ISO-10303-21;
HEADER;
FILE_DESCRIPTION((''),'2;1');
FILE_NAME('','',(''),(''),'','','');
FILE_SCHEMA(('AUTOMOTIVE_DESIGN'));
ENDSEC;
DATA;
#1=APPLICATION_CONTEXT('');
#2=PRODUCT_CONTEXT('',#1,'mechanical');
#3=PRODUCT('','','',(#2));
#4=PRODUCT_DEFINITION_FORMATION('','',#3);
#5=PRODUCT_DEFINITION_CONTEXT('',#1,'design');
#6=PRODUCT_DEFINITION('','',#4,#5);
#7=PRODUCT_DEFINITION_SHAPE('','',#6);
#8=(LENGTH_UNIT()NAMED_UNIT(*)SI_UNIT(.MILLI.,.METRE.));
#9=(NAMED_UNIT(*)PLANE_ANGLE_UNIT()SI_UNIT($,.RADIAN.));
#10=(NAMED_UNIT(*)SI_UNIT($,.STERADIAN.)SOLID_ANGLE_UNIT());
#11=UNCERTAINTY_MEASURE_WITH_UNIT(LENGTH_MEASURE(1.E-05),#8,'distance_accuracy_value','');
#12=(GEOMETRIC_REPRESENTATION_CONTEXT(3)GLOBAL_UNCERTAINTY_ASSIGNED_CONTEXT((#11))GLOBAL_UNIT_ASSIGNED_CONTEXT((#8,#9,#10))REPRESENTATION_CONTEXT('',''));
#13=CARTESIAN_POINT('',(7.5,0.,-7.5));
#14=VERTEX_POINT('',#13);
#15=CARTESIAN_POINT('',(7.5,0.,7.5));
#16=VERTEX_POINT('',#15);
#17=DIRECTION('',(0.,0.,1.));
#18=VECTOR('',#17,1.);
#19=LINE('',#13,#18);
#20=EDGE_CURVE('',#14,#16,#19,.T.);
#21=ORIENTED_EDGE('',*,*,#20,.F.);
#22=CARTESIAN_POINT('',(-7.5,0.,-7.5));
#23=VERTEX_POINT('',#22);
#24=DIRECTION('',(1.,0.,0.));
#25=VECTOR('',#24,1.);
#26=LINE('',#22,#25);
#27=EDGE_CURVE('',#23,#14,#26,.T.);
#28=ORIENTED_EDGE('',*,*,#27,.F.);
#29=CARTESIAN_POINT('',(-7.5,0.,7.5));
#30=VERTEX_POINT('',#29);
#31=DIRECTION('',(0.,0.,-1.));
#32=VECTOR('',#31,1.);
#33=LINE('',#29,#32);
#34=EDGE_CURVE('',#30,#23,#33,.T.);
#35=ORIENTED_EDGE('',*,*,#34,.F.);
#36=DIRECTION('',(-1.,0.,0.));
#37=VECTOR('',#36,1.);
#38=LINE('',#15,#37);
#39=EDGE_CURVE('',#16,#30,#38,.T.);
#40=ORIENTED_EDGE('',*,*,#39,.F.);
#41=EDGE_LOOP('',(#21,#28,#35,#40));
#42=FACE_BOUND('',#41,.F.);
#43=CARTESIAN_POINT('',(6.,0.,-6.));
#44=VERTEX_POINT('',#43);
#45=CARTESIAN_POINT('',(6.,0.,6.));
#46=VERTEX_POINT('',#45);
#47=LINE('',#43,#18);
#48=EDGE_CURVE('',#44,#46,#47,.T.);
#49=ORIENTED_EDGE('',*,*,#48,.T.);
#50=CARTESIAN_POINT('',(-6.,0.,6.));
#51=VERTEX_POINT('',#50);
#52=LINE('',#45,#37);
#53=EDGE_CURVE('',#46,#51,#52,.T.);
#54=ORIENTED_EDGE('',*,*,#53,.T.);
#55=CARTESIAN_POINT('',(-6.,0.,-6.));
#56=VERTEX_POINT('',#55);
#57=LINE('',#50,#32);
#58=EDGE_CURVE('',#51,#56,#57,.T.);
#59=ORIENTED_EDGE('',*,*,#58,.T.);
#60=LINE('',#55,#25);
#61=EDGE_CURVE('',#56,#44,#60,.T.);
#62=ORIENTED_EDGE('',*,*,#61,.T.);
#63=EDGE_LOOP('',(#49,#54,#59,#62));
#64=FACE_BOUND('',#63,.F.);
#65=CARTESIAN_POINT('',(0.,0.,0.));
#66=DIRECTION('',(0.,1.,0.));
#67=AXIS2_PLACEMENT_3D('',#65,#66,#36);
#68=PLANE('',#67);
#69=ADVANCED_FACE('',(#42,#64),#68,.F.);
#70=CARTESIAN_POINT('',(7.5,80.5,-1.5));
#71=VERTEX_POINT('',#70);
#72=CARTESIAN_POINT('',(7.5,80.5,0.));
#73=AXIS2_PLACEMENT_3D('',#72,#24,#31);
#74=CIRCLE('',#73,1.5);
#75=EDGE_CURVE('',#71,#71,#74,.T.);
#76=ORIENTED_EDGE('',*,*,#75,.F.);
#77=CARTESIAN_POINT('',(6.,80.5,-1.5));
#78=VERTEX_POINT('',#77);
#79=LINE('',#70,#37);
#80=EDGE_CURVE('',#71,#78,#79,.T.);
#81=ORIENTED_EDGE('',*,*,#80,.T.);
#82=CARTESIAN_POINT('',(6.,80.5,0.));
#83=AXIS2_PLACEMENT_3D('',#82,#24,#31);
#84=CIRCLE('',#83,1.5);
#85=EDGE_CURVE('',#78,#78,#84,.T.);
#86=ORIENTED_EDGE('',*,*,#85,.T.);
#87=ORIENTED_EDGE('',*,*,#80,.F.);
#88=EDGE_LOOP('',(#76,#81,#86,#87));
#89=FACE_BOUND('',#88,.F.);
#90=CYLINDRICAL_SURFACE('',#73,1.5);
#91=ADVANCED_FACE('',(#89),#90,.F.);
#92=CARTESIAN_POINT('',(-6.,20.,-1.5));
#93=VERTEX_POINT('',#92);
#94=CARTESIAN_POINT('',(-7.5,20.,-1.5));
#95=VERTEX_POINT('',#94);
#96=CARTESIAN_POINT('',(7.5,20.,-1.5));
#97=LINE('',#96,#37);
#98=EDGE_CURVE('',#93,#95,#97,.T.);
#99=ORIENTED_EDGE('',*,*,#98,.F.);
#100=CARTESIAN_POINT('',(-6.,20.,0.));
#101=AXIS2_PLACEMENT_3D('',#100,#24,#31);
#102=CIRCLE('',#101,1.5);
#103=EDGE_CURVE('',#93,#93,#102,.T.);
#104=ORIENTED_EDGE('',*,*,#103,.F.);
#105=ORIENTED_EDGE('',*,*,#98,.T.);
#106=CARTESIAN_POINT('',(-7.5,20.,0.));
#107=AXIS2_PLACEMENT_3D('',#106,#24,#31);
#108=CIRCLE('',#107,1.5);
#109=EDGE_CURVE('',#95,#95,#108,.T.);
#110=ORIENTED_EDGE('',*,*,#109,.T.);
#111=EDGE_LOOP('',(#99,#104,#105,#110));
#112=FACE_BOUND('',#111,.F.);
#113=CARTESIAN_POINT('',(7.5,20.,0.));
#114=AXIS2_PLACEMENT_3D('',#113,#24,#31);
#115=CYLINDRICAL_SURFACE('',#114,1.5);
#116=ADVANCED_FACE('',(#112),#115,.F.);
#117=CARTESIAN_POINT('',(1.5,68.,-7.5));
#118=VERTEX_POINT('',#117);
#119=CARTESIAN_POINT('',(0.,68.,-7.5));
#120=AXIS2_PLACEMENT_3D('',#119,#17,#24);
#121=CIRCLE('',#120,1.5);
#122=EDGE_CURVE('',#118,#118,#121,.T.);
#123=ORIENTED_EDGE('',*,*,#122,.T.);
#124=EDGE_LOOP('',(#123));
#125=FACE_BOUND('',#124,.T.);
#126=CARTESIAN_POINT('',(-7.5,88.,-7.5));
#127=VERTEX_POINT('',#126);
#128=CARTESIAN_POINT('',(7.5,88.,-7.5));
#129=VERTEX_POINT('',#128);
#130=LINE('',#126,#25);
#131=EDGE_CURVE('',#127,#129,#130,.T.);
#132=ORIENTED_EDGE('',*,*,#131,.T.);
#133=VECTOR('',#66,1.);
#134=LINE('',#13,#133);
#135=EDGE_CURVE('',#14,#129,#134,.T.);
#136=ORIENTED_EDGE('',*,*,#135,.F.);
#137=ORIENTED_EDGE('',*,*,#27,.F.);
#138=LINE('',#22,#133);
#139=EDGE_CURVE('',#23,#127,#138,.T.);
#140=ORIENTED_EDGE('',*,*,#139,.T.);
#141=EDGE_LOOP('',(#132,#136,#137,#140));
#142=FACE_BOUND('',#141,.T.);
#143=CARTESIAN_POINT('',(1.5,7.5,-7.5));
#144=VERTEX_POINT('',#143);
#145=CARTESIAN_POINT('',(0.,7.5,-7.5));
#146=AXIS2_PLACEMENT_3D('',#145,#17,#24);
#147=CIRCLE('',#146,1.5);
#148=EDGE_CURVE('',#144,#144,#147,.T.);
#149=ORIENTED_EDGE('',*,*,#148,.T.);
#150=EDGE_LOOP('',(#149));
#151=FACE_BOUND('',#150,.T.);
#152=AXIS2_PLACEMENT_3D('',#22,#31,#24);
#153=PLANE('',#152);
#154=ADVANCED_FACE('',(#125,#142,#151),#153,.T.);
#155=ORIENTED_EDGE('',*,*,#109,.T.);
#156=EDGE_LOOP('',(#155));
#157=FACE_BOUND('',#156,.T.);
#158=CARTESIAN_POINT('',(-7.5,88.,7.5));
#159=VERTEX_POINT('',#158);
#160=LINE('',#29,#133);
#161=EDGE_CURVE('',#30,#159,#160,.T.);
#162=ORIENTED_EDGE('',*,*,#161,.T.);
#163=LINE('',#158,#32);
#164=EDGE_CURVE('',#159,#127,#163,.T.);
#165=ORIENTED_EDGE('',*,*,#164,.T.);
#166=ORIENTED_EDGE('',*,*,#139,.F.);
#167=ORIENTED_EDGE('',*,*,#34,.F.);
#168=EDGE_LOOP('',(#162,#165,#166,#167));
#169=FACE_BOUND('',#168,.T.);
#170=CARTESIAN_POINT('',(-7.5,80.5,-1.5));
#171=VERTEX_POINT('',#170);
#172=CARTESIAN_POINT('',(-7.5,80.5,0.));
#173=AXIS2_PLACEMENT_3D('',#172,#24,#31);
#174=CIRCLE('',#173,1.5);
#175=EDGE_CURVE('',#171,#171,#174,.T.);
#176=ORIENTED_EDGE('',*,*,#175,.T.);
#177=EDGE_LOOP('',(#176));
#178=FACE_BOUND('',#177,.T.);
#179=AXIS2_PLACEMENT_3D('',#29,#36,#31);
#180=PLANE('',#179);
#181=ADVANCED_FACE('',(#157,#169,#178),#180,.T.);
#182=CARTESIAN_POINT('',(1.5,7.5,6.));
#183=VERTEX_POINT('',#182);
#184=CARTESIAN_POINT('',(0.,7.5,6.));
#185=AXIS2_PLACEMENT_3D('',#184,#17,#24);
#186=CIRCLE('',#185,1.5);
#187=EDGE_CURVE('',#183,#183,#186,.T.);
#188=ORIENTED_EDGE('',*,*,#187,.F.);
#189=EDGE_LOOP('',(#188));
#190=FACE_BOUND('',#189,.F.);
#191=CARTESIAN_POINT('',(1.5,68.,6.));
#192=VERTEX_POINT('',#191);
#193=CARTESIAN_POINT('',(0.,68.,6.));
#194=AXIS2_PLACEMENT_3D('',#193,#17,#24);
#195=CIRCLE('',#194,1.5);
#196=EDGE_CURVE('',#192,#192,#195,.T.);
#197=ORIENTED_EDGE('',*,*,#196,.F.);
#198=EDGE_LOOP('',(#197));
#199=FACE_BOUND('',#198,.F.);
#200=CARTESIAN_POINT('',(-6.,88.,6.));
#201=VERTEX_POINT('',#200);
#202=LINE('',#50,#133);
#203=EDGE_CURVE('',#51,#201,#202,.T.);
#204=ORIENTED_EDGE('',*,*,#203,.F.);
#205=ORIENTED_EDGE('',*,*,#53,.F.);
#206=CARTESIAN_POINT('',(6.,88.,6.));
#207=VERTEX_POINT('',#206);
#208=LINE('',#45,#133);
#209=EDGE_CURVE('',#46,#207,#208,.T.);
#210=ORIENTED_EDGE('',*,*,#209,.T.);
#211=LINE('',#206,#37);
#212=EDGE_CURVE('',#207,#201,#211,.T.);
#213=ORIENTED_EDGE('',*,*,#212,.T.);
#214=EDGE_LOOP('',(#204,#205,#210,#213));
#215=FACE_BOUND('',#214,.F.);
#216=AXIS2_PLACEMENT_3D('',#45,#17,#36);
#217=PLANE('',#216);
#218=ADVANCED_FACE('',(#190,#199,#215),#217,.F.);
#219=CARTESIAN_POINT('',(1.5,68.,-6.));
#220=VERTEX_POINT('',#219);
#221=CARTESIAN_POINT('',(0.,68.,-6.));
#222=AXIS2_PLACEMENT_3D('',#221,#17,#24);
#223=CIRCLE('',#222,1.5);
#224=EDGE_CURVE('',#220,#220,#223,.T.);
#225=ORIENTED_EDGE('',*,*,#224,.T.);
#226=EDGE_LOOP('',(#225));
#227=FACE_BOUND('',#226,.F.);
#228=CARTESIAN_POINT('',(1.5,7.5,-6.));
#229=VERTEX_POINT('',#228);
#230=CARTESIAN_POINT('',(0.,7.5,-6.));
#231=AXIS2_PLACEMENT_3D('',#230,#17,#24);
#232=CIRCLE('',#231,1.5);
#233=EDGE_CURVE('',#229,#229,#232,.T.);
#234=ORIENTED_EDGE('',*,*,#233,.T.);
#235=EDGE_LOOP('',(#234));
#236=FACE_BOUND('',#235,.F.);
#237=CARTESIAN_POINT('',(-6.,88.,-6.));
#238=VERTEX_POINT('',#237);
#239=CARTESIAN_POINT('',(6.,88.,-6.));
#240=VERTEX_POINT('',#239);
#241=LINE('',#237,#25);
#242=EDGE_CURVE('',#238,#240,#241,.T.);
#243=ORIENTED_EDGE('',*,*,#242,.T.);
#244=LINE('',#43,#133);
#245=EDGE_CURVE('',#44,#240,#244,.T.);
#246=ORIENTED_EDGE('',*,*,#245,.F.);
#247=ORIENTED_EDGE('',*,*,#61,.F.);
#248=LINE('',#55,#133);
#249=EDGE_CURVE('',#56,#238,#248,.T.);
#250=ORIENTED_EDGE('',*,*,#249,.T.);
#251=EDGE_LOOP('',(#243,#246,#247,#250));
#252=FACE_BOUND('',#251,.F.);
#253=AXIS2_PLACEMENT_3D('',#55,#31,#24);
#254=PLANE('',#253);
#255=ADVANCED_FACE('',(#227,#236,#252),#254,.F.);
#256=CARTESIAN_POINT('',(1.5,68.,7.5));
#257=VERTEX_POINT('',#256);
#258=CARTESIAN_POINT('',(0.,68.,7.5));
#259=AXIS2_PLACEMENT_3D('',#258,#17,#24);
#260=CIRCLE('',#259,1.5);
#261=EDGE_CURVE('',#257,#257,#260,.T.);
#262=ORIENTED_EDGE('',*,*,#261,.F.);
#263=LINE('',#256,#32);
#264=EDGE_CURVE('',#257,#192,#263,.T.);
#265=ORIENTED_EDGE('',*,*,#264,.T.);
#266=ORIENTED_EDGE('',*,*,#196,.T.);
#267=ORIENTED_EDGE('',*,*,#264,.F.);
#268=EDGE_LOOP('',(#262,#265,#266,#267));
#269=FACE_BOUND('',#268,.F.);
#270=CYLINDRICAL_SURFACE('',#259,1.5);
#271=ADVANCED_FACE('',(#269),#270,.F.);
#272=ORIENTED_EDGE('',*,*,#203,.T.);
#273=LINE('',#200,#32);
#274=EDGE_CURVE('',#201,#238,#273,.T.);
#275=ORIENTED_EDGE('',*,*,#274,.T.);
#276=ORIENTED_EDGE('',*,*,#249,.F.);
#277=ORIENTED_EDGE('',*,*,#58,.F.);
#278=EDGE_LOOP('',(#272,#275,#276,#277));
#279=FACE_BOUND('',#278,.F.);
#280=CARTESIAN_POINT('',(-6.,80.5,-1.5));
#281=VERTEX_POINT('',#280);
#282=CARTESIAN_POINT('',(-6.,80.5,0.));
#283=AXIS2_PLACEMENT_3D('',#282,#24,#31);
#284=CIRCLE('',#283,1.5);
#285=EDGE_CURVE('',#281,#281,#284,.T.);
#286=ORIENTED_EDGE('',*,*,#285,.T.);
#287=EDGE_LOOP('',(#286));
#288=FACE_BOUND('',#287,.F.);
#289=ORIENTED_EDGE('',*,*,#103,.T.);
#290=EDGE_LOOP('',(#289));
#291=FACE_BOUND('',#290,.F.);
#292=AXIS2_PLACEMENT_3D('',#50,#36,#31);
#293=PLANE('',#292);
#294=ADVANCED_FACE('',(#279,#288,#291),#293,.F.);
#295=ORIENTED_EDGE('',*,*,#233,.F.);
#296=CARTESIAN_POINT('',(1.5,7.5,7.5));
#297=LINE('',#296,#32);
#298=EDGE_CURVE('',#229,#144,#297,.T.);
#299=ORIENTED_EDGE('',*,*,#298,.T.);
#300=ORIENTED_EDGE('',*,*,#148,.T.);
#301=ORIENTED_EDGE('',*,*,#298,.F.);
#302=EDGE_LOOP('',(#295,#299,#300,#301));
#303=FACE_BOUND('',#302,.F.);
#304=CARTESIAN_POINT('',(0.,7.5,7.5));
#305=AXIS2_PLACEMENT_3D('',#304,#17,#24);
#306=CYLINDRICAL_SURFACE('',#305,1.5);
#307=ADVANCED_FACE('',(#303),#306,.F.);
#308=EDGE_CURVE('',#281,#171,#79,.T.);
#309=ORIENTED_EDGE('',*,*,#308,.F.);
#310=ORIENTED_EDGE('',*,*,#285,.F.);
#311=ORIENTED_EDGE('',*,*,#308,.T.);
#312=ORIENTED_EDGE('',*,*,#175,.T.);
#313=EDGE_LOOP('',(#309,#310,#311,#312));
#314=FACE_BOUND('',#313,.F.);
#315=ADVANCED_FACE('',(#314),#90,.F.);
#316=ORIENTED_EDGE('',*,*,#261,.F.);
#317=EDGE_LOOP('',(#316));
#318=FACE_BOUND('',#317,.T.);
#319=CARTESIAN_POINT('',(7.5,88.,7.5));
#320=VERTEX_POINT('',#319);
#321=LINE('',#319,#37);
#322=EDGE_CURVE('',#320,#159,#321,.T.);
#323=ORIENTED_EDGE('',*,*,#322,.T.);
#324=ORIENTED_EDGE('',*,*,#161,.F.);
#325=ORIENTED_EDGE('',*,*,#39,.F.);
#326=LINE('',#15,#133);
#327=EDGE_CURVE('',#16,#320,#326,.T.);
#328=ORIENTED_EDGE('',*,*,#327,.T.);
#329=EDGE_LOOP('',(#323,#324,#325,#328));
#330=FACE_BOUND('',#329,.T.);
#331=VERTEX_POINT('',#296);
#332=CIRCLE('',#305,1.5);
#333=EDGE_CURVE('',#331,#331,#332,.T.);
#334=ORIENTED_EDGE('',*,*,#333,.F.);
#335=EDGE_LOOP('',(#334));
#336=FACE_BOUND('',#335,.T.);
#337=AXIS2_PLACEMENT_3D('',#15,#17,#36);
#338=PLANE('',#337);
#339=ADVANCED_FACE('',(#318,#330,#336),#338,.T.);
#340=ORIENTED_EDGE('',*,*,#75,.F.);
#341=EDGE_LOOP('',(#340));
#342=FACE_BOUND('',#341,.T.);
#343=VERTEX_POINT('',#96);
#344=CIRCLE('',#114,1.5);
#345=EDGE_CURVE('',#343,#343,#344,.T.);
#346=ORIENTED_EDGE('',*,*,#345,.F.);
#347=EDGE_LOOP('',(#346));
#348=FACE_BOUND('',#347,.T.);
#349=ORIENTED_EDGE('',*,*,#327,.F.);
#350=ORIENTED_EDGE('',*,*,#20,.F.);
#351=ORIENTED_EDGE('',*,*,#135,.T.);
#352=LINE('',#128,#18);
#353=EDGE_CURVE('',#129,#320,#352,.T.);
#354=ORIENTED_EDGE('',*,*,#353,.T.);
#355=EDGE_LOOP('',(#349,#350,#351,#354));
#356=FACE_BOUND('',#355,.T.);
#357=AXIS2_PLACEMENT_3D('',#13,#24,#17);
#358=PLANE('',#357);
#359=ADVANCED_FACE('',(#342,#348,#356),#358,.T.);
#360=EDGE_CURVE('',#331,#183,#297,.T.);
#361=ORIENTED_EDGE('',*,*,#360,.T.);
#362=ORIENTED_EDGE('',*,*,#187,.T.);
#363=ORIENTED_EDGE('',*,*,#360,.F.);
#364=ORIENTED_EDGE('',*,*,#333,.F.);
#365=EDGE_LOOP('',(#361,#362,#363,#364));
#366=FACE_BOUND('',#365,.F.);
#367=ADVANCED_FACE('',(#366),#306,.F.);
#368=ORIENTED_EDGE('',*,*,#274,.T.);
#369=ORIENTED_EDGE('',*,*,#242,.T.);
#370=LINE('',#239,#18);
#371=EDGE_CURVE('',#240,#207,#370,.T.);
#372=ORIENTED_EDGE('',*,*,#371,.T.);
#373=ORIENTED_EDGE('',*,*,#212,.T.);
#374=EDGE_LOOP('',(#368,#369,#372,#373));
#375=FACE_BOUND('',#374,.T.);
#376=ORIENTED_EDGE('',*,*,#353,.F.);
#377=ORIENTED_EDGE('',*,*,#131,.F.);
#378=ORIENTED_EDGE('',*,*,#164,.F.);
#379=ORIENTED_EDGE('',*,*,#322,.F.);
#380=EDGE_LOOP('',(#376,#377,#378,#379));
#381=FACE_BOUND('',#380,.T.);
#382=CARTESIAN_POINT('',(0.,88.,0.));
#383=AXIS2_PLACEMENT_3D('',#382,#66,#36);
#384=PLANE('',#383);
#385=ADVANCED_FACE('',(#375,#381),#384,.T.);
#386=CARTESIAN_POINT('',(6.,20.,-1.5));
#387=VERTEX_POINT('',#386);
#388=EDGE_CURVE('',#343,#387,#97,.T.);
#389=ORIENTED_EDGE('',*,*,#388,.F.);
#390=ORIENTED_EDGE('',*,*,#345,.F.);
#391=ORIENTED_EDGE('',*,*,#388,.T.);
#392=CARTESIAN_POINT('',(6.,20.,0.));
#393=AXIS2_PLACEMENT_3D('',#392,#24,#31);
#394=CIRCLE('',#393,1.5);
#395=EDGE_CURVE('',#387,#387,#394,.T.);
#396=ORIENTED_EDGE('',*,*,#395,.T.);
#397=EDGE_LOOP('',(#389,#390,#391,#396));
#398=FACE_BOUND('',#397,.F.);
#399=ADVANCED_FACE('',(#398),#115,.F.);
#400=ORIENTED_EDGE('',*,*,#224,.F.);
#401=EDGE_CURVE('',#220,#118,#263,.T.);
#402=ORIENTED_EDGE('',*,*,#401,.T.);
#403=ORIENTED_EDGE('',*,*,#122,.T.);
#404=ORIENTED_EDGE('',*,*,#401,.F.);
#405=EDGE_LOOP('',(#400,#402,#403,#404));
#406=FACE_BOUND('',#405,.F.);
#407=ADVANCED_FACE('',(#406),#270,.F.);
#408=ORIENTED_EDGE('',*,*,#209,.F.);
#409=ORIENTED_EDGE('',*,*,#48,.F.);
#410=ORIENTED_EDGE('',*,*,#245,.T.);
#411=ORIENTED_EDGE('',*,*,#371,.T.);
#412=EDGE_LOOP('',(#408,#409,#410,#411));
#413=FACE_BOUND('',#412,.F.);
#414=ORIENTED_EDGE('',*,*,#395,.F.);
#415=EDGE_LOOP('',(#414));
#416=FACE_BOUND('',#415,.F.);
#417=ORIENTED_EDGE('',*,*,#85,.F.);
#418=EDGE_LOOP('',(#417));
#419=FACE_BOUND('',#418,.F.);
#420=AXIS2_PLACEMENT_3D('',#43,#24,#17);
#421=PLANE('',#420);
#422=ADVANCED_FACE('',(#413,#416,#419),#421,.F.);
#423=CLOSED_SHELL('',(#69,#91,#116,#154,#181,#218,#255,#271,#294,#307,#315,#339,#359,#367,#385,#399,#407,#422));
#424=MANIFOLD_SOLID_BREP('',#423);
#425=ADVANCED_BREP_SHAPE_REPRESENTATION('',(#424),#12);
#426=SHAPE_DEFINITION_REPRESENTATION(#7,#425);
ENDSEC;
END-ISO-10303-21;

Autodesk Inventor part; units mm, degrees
ref_plane "YZ Plane" through (0, 0, 0) normal (1, 0, 0) x (0, 1, 0)
ref_plane "XZ Plane" through (0, 0, 0) normal (0, 1, 0) x (-1, 0, 0)
ref_plane "XY Plane" through (0, 0, 0) normal (0, 0, 1) x (1, 0, 0)
sketch "スケッチ1" plane through (0, 0, 0) normal (0, 1, 0) x (-1, 0, 0)
  line L0 (7.5, -7.5) -> (-7.5, -7.5)
  line L1 (-7.5, -7.5) -> (-7.5, 7.5)
  line L2 (-7.5, 7.5) -> (7.5, 7.5)
  line L3 (7.5, 7.5) -> (7.5, -7.5)
  line L4 (7.5, -7.5) -> (-7.5, 7.5) construction
  line L5 (-7.5, -7.5) -> (7.5, 7.5) construction
  line L6 (6, -6) -> (-6, -6)
  line L7 (-6, -6) -> (-6, 6)
  line L8 (-6, 6) -> (6, 6)
  line L9 (6, 6) -> (6, -6)
  point P0 (0, 0)
  dimension "d0" = 15
  dimension "d1" = 15
  dimension "d2" = 1.5
extrude "押し出し1" add sketch "スケッチ1" along normal blind 88
sketch "スケッチ2" plane through (-7.5, 0, 7.5) normal (0, 0, 1) x (1, 0, 0)
  line L0 (7.5, 0) -> (7.5, 88) construction
  line L1 (0, 88) -> (15, 88) projected
  line L2 (0, 0) -> (0, 88) projected
  line L3 (0, 44) -> (15, 44) construction
  line L4 (15, 0) -> (15, 88) projected
sketch "スケッチ3" plane through (7.5, 0, 7.5) normal (1, 0, 0) x (0, 0, -1)
  line L0 (7.5, 0) -> (7.5, 88) construction
  line L1 (0, 88) -> (15, 88) projected
  line L2 (15, 0) -> (15, 88) projected
  line L3 (15, 44) -> (0, 44) construction
  line L4 (0, 0) -> (0, 88) projected
sketch "スケッチ4" plane through (-7.5, 0, 7.5) normal (0, 0, 1) x (1, 0, 0)
  line L0 (7.5, 0) -> (7.5, 88) construction
  circle A0 centre (7.5, 7.5) radius 1.5
  line L1 (0, 0) -> (15, 0) projected
  circle A1 centre (7.5, 68) radius 1.5
  line L2 (0, 88) -> (15, 88) projected
  dimension "d5" = 3
  dimension "d6" = 7.5
  dimension "d13" = 3
  dimension "d14" = 20
extrude "押し出し2" cut sketch "スケッチ4" against normal through all
sketch "スケッチ5" plane through (7.5, 0, 7.5) normal (1, 0, 0) x (0, 0, -1)
  circle A0 centre (7.5, 20) radius 1.5
  line L0 (7.5, 0) -> (7.5, 88) construction
  line L1 (0, 0) -> (15, 0) projected
  circle A1 centre (7.5, 80.5) radius 1.5
  line L2 (0, 88) -> (15, 88) projected
  dimension "d9" = 3
  dimension "d10" = 20
  dimension "d15" = 3
  dimension "d16" = 7.5
extrude "押し出し3" cut sketch "スケッチ5" against normal through all
sketch "スケッチ6" plane through (7.5, 0, 7.5) normal (1, 0, 0) x (0, 0, -1)
  circle A0 centre (7.5, 80.5) radius 1.5 projected
  line L0 (0, 88) -> (15, 88) projected
  circle A1 centre (7.5, 20) radius 1.5 projected
  line L1 (0, 0) -> (15, 0) projected
  point P0 (7.5, 0)
  dimension "d17" = 7.5
  dimension "d18" = 68
  dimension "d19" = 88
sketch "スケッチ7" plane through (-7.5, 0, 7.5) normal (0, 0, 1) x (1, 0, 0)
  circle A0 centre (7.5, 68) radius 1.5 projected
  line L0 (0, 88) -> (15, 88) projected
  circle A1 centre (7.5, 7.5) radius 1.5 projected
  point P0 (7.5, 0)
  dimension "d20" = 20
  dimension "d21" = 80.5
equation "\"d1\" = d0"
properties part number "omu_k_jo_11" material "アルミニウム 6061-AHC"
